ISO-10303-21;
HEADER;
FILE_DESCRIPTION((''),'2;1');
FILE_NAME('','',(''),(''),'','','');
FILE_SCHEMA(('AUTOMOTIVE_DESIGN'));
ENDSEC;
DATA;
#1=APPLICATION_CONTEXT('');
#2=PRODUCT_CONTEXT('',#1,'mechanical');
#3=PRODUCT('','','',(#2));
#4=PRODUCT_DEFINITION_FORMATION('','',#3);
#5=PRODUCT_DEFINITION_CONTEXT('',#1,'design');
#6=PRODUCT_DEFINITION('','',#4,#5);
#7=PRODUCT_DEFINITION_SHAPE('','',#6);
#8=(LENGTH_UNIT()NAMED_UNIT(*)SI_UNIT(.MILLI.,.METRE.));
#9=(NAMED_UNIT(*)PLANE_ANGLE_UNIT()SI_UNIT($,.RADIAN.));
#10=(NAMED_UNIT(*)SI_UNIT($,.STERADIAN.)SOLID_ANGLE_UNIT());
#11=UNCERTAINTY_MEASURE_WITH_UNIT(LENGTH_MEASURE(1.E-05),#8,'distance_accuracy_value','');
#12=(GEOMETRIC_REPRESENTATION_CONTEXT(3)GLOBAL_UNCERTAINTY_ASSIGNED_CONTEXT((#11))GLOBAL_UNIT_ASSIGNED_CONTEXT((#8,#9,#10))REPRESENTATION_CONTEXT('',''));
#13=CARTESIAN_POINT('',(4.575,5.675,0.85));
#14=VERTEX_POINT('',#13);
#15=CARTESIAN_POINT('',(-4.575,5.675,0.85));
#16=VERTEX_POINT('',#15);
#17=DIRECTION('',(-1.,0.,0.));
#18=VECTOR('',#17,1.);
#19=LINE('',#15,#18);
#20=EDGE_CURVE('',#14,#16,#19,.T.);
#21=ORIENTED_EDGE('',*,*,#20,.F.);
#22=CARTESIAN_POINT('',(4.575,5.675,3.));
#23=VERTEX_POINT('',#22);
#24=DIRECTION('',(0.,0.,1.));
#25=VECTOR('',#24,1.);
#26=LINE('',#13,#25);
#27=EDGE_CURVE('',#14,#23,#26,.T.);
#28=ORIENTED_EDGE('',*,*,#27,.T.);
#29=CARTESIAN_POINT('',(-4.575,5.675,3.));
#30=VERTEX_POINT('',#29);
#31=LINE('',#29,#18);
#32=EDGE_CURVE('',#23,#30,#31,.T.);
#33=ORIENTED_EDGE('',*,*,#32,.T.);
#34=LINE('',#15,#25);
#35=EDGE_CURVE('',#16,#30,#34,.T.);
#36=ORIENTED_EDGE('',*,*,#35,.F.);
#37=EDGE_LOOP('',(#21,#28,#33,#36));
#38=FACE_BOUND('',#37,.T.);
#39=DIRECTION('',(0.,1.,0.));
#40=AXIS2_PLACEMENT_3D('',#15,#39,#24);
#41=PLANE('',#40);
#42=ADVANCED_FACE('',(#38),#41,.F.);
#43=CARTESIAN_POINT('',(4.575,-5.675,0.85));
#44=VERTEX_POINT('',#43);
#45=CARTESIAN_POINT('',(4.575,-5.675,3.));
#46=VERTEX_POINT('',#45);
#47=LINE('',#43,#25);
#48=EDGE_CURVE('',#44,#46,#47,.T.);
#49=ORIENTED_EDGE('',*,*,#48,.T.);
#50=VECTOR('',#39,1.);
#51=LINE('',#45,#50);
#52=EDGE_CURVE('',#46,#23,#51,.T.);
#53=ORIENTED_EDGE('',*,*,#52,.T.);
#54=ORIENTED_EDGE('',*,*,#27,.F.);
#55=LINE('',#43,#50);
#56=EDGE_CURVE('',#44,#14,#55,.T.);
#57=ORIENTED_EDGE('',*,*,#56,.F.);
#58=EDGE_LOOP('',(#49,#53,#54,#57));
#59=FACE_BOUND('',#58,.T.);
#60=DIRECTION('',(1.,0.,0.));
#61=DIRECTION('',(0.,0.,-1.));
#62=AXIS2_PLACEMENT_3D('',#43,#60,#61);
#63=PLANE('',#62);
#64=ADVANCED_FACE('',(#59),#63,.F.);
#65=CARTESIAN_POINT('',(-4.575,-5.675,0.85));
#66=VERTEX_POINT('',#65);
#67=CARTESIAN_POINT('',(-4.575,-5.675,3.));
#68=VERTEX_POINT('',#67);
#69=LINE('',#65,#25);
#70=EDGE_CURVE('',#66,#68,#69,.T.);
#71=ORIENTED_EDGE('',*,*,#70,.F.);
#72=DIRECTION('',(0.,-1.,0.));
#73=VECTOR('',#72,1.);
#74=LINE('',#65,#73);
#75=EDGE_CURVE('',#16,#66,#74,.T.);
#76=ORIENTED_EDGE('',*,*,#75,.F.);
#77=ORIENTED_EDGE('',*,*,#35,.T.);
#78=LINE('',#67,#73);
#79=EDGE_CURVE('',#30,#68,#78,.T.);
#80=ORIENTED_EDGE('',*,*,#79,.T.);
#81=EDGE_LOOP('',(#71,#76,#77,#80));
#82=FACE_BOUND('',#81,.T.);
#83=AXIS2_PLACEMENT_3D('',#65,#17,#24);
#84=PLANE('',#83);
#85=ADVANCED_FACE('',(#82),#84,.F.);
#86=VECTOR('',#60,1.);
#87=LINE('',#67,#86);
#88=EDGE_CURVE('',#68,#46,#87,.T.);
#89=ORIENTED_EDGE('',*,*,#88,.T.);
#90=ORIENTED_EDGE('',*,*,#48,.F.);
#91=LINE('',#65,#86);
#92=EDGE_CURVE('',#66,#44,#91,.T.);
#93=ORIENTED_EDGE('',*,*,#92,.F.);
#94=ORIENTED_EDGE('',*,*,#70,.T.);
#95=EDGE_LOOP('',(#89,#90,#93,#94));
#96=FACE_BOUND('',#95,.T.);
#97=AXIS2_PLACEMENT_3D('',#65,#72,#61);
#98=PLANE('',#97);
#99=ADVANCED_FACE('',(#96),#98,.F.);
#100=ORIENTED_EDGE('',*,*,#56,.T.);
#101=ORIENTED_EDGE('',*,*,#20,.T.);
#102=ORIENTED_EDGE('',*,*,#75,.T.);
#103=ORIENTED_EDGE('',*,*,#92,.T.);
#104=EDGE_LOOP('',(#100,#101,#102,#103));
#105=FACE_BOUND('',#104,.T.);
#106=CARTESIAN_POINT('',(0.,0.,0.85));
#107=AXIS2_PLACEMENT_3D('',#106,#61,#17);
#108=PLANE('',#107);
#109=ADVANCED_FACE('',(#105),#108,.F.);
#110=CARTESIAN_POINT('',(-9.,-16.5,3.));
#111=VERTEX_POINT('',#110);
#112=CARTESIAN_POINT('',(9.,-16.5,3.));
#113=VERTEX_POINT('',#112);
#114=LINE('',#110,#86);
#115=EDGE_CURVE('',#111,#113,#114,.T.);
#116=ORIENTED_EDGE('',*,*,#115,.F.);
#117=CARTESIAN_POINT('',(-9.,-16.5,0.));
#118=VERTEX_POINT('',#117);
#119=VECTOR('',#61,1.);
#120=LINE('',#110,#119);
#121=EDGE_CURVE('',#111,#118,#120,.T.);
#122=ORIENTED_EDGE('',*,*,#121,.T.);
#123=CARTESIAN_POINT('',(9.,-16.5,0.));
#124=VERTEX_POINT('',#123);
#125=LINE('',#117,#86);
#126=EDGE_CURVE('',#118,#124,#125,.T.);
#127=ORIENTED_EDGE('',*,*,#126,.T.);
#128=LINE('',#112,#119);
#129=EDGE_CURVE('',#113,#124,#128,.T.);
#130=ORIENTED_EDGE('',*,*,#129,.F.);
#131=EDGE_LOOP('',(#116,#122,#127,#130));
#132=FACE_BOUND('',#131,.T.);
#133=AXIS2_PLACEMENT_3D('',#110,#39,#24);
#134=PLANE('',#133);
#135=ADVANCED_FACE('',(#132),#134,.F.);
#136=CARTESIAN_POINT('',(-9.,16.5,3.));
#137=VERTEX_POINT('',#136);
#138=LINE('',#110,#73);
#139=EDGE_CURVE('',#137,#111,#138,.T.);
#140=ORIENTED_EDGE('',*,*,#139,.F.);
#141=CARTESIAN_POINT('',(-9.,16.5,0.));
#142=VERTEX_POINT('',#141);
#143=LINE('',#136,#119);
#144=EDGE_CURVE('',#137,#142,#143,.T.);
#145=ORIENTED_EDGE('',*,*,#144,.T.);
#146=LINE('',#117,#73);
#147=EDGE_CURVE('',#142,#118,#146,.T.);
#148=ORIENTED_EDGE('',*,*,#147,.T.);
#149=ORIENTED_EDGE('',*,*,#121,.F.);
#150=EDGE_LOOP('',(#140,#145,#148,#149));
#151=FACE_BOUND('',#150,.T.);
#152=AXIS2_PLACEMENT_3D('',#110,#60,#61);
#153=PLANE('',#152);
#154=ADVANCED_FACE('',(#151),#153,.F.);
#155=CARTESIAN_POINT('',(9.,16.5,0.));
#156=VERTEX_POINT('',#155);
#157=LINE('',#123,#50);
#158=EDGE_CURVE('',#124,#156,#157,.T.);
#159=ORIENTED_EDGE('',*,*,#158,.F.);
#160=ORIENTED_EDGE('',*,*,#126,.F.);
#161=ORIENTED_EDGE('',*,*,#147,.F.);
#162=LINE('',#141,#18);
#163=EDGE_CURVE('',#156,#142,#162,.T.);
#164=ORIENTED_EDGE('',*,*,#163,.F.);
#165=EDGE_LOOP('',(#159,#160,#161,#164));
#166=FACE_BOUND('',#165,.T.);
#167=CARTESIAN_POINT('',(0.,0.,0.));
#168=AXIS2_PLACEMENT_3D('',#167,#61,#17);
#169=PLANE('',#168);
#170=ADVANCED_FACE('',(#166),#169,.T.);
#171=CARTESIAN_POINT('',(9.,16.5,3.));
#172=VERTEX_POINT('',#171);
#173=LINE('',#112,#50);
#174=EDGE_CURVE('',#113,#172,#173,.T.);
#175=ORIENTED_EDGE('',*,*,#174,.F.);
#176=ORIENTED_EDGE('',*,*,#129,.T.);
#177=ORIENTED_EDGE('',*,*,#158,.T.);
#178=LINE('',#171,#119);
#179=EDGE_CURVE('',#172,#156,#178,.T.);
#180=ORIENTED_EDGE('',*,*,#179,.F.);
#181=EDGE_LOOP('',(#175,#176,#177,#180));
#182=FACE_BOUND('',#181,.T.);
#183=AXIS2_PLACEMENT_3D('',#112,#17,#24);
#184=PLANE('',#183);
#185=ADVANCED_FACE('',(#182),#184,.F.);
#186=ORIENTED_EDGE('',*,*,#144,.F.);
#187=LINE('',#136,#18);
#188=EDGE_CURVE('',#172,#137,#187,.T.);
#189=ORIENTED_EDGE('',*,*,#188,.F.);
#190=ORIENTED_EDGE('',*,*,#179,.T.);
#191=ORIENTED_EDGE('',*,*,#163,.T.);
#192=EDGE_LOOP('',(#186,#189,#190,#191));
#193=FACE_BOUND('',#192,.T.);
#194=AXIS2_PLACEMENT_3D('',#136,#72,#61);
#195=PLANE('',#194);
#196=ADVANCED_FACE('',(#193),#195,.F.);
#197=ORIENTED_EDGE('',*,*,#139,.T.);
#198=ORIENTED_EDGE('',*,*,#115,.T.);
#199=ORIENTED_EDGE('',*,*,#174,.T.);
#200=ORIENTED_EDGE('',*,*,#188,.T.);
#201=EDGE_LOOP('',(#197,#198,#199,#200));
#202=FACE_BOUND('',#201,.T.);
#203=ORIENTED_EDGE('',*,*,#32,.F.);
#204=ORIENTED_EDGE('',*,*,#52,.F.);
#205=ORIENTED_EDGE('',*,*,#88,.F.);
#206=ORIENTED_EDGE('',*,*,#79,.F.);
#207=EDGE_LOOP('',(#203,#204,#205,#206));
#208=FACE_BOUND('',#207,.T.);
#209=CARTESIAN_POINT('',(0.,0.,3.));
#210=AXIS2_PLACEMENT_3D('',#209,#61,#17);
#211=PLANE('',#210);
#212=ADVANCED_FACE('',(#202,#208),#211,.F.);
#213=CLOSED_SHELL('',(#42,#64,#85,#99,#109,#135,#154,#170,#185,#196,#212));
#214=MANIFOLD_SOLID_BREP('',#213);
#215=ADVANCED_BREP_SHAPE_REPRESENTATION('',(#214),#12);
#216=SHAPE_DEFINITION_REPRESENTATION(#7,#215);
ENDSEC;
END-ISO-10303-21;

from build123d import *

# Parameters (mm, degrees)
SKETCH_1_W          = 18
SKETCH_1_H          = 33
EXTRUDE_1_DEPTH     = 3
SKETCH_2_W          = 9.15
SKETCH_2_H          = 11.35
CUT_EXTRUDE_1_DEPTH = 2.15


with BuildPart() as part:
    # 스케치1 → 보스-돌출1 (new body)
    with BuildSketch(Plane.XY):
        Rectangle(SKETCH_1_W, SKETCH_1_H)
    extrude(amount=EXTRUDE_1_DEPTH)

    # 스케치2 → 컷-돌출1 (cut)
    with BuildSketch(Plane.XY.offset(3)):
        Rectangle(SKETCH_2_W, SKETCH_2_H)
    extrude(amount=-CUT_EXTRUDE_1_DEPTH, mode=Mode.SUBTRACT)


solid = part.part
